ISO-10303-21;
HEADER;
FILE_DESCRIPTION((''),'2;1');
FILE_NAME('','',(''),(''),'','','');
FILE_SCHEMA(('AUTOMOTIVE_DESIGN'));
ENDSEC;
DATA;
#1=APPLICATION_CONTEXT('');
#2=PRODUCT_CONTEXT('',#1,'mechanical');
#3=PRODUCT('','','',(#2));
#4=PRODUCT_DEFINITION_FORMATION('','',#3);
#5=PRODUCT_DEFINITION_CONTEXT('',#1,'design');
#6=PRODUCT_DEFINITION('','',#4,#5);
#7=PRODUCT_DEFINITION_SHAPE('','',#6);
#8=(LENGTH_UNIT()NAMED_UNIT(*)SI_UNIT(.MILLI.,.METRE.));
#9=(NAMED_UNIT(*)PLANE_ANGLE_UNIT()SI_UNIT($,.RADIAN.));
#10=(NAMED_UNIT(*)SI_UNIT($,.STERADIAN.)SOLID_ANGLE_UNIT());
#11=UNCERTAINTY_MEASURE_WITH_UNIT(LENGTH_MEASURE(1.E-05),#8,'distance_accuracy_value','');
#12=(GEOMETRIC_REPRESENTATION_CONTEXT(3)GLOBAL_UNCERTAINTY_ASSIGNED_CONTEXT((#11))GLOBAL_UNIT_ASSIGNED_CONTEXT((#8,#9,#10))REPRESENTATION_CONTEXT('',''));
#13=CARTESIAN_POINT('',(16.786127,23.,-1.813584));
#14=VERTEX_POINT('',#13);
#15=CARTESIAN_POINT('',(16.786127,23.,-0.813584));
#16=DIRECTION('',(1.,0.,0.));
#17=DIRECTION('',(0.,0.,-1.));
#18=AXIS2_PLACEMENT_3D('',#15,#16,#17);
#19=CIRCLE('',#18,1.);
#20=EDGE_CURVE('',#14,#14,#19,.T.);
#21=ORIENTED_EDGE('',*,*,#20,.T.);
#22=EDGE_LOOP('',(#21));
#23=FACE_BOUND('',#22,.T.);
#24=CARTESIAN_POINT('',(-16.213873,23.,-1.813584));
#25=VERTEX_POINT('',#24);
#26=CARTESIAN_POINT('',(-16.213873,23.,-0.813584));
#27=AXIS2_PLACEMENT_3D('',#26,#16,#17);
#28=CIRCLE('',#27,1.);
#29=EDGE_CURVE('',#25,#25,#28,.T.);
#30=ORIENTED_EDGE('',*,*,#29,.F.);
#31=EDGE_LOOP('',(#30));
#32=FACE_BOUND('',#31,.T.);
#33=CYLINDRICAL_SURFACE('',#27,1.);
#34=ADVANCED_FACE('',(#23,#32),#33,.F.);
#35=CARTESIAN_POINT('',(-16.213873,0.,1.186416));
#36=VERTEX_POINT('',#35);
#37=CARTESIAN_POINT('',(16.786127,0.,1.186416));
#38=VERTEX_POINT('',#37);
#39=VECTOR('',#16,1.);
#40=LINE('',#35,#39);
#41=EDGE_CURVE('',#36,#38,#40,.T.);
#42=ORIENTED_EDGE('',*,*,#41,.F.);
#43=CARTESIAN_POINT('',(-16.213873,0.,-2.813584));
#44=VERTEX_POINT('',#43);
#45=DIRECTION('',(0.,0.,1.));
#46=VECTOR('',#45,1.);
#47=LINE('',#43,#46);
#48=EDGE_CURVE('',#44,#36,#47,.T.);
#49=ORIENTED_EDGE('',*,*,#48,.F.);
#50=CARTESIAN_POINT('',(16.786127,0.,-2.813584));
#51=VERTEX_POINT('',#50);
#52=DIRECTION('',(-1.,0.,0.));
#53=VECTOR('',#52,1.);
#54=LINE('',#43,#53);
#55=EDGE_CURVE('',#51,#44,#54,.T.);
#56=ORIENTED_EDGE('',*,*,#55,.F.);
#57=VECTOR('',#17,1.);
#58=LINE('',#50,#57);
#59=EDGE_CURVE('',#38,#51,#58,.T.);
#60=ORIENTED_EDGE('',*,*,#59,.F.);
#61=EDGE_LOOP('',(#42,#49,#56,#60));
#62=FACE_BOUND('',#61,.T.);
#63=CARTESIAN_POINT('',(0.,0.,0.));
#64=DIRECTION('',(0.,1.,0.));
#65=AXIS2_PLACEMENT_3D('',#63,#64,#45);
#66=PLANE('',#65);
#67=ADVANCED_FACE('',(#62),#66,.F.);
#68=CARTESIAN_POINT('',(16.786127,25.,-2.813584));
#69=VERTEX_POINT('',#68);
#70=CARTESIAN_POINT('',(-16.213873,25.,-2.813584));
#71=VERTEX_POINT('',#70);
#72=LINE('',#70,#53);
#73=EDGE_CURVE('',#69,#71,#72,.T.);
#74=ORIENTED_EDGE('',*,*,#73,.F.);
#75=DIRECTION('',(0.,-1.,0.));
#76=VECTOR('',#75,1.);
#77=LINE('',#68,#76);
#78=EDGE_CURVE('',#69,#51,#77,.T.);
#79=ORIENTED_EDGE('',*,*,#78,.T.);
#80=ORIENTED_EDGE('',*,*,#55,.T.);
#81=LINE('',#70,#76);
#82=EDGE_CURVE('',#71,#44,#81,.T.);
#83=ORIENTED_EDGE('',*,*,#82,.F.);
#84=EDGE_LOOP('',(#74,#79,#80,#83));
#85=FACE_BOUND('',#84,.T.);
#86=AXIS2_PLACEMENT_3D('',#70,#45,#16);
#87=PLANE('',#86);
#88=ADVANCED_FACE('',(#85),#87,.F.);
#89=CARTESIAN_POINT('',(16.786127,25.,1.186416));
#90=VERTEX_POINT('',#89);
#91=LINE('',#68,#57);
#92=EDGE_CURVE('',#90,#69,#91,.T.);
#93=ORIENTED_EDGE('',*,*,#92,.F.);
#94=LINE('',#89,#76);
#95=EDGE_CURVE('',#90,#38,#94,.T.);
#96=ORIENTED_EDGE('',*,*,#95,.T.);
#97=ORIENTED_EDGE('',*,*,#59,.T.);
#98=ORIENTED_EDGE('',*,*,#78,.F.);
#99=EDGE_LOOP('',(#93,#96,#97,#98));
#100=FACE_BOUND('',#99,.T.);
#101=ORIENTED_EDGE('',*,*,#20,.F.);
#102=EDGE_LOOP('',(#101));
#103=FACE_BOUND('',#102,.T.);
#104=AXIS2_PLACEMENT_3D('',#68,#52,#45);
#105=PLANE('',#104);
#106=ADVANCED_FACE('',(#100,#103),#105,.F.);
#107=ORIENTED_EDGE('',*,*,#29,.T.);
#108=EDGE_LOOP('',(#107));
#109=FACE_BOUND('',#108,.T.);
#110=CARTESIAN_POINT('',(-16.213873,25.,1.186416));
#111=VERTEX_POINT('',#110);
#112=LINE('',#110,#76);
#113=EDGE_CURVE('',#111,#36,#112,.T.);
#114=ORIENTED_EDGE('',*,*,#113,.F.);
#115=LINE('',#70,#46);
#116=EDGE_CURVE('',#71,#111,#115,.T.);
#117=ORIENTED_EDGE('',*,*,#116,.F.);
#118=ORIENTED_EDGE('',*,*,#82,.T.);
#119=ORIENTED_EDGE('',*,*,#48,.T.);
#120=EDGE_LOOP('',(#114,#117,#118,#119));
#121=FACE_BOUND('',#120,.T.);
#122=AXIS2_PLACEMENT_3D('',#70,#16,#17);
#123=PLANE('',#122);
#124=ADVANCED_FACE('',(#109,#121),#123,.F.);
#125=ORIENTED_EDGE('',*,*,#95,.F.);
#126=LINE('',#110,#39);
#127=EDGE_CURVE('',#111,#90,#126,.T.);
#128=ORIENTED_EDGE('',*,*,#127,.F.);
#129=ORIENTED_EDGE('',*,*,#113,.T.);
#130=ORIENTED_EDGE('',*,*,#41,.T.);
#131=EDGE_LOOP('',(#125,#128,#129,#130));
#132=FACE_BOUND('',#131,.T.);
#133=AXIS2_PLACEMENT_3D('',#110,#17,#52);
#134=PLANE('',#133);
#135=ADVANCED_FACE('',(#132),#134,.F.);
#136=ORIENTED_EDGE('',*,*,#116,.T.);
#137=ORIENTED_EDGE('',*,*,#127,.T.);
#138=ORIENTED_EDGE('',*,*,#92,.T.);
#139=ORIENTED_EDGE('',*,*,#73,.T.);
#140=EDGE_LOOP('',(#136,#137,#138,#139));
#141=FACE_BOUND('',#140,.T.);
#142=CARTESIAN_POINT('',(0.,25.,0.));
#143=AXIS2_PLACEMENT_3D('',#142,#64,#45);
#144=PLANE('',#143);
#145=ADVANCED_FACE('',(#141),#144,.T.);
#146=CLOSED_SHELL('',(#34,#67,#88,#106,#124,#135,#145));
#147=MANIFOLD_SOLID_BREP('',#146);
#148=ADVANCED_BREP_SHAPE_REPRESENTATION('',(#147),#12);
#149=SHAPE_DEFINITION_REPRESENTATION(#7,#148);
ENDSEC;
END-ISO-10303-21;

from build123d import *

# Parameters (mm, degrees)
CROQUIS1_W              = 33
CROQUIS1_H              = 4
SALIENTE_EXTRUIR1_DEPTH = 25
CROQUIS2_R              = 1
CORTAR_EXTRUIR1_DEPTH   = 34


with BuildPart() as part:
    # Croquis1 → Saliente-Extruir1 (new body)
    with BuildSketch(Plane(origin=(0, 0, 0), x_dir=(1, 0, 0), z_dir=(0, 1, 0))):
        with Locations((0.286127168, 0.813583815)):
            Rectangle(CROQUIS1_W, CROQUIS1_H)
    extrude(amount=SALIENTE_EXTRUIR1_DEPTH)

    # Croquis2 → Cortar-Extruir1 (cut, through all)
    with BuildSketch(Plane(origin=(16.786127168, 0, 0), x_dir=(0, 0, -1), z_dir=(1, 0, 0))):
        with Locations((0.813583815, 23)):
            Circle(CROQUIS2_R)
    extrude(amount=-CORTAR_EXTRUIR1_DEPTH, mode=Mode.SUBTRACT)


solid = part.part
